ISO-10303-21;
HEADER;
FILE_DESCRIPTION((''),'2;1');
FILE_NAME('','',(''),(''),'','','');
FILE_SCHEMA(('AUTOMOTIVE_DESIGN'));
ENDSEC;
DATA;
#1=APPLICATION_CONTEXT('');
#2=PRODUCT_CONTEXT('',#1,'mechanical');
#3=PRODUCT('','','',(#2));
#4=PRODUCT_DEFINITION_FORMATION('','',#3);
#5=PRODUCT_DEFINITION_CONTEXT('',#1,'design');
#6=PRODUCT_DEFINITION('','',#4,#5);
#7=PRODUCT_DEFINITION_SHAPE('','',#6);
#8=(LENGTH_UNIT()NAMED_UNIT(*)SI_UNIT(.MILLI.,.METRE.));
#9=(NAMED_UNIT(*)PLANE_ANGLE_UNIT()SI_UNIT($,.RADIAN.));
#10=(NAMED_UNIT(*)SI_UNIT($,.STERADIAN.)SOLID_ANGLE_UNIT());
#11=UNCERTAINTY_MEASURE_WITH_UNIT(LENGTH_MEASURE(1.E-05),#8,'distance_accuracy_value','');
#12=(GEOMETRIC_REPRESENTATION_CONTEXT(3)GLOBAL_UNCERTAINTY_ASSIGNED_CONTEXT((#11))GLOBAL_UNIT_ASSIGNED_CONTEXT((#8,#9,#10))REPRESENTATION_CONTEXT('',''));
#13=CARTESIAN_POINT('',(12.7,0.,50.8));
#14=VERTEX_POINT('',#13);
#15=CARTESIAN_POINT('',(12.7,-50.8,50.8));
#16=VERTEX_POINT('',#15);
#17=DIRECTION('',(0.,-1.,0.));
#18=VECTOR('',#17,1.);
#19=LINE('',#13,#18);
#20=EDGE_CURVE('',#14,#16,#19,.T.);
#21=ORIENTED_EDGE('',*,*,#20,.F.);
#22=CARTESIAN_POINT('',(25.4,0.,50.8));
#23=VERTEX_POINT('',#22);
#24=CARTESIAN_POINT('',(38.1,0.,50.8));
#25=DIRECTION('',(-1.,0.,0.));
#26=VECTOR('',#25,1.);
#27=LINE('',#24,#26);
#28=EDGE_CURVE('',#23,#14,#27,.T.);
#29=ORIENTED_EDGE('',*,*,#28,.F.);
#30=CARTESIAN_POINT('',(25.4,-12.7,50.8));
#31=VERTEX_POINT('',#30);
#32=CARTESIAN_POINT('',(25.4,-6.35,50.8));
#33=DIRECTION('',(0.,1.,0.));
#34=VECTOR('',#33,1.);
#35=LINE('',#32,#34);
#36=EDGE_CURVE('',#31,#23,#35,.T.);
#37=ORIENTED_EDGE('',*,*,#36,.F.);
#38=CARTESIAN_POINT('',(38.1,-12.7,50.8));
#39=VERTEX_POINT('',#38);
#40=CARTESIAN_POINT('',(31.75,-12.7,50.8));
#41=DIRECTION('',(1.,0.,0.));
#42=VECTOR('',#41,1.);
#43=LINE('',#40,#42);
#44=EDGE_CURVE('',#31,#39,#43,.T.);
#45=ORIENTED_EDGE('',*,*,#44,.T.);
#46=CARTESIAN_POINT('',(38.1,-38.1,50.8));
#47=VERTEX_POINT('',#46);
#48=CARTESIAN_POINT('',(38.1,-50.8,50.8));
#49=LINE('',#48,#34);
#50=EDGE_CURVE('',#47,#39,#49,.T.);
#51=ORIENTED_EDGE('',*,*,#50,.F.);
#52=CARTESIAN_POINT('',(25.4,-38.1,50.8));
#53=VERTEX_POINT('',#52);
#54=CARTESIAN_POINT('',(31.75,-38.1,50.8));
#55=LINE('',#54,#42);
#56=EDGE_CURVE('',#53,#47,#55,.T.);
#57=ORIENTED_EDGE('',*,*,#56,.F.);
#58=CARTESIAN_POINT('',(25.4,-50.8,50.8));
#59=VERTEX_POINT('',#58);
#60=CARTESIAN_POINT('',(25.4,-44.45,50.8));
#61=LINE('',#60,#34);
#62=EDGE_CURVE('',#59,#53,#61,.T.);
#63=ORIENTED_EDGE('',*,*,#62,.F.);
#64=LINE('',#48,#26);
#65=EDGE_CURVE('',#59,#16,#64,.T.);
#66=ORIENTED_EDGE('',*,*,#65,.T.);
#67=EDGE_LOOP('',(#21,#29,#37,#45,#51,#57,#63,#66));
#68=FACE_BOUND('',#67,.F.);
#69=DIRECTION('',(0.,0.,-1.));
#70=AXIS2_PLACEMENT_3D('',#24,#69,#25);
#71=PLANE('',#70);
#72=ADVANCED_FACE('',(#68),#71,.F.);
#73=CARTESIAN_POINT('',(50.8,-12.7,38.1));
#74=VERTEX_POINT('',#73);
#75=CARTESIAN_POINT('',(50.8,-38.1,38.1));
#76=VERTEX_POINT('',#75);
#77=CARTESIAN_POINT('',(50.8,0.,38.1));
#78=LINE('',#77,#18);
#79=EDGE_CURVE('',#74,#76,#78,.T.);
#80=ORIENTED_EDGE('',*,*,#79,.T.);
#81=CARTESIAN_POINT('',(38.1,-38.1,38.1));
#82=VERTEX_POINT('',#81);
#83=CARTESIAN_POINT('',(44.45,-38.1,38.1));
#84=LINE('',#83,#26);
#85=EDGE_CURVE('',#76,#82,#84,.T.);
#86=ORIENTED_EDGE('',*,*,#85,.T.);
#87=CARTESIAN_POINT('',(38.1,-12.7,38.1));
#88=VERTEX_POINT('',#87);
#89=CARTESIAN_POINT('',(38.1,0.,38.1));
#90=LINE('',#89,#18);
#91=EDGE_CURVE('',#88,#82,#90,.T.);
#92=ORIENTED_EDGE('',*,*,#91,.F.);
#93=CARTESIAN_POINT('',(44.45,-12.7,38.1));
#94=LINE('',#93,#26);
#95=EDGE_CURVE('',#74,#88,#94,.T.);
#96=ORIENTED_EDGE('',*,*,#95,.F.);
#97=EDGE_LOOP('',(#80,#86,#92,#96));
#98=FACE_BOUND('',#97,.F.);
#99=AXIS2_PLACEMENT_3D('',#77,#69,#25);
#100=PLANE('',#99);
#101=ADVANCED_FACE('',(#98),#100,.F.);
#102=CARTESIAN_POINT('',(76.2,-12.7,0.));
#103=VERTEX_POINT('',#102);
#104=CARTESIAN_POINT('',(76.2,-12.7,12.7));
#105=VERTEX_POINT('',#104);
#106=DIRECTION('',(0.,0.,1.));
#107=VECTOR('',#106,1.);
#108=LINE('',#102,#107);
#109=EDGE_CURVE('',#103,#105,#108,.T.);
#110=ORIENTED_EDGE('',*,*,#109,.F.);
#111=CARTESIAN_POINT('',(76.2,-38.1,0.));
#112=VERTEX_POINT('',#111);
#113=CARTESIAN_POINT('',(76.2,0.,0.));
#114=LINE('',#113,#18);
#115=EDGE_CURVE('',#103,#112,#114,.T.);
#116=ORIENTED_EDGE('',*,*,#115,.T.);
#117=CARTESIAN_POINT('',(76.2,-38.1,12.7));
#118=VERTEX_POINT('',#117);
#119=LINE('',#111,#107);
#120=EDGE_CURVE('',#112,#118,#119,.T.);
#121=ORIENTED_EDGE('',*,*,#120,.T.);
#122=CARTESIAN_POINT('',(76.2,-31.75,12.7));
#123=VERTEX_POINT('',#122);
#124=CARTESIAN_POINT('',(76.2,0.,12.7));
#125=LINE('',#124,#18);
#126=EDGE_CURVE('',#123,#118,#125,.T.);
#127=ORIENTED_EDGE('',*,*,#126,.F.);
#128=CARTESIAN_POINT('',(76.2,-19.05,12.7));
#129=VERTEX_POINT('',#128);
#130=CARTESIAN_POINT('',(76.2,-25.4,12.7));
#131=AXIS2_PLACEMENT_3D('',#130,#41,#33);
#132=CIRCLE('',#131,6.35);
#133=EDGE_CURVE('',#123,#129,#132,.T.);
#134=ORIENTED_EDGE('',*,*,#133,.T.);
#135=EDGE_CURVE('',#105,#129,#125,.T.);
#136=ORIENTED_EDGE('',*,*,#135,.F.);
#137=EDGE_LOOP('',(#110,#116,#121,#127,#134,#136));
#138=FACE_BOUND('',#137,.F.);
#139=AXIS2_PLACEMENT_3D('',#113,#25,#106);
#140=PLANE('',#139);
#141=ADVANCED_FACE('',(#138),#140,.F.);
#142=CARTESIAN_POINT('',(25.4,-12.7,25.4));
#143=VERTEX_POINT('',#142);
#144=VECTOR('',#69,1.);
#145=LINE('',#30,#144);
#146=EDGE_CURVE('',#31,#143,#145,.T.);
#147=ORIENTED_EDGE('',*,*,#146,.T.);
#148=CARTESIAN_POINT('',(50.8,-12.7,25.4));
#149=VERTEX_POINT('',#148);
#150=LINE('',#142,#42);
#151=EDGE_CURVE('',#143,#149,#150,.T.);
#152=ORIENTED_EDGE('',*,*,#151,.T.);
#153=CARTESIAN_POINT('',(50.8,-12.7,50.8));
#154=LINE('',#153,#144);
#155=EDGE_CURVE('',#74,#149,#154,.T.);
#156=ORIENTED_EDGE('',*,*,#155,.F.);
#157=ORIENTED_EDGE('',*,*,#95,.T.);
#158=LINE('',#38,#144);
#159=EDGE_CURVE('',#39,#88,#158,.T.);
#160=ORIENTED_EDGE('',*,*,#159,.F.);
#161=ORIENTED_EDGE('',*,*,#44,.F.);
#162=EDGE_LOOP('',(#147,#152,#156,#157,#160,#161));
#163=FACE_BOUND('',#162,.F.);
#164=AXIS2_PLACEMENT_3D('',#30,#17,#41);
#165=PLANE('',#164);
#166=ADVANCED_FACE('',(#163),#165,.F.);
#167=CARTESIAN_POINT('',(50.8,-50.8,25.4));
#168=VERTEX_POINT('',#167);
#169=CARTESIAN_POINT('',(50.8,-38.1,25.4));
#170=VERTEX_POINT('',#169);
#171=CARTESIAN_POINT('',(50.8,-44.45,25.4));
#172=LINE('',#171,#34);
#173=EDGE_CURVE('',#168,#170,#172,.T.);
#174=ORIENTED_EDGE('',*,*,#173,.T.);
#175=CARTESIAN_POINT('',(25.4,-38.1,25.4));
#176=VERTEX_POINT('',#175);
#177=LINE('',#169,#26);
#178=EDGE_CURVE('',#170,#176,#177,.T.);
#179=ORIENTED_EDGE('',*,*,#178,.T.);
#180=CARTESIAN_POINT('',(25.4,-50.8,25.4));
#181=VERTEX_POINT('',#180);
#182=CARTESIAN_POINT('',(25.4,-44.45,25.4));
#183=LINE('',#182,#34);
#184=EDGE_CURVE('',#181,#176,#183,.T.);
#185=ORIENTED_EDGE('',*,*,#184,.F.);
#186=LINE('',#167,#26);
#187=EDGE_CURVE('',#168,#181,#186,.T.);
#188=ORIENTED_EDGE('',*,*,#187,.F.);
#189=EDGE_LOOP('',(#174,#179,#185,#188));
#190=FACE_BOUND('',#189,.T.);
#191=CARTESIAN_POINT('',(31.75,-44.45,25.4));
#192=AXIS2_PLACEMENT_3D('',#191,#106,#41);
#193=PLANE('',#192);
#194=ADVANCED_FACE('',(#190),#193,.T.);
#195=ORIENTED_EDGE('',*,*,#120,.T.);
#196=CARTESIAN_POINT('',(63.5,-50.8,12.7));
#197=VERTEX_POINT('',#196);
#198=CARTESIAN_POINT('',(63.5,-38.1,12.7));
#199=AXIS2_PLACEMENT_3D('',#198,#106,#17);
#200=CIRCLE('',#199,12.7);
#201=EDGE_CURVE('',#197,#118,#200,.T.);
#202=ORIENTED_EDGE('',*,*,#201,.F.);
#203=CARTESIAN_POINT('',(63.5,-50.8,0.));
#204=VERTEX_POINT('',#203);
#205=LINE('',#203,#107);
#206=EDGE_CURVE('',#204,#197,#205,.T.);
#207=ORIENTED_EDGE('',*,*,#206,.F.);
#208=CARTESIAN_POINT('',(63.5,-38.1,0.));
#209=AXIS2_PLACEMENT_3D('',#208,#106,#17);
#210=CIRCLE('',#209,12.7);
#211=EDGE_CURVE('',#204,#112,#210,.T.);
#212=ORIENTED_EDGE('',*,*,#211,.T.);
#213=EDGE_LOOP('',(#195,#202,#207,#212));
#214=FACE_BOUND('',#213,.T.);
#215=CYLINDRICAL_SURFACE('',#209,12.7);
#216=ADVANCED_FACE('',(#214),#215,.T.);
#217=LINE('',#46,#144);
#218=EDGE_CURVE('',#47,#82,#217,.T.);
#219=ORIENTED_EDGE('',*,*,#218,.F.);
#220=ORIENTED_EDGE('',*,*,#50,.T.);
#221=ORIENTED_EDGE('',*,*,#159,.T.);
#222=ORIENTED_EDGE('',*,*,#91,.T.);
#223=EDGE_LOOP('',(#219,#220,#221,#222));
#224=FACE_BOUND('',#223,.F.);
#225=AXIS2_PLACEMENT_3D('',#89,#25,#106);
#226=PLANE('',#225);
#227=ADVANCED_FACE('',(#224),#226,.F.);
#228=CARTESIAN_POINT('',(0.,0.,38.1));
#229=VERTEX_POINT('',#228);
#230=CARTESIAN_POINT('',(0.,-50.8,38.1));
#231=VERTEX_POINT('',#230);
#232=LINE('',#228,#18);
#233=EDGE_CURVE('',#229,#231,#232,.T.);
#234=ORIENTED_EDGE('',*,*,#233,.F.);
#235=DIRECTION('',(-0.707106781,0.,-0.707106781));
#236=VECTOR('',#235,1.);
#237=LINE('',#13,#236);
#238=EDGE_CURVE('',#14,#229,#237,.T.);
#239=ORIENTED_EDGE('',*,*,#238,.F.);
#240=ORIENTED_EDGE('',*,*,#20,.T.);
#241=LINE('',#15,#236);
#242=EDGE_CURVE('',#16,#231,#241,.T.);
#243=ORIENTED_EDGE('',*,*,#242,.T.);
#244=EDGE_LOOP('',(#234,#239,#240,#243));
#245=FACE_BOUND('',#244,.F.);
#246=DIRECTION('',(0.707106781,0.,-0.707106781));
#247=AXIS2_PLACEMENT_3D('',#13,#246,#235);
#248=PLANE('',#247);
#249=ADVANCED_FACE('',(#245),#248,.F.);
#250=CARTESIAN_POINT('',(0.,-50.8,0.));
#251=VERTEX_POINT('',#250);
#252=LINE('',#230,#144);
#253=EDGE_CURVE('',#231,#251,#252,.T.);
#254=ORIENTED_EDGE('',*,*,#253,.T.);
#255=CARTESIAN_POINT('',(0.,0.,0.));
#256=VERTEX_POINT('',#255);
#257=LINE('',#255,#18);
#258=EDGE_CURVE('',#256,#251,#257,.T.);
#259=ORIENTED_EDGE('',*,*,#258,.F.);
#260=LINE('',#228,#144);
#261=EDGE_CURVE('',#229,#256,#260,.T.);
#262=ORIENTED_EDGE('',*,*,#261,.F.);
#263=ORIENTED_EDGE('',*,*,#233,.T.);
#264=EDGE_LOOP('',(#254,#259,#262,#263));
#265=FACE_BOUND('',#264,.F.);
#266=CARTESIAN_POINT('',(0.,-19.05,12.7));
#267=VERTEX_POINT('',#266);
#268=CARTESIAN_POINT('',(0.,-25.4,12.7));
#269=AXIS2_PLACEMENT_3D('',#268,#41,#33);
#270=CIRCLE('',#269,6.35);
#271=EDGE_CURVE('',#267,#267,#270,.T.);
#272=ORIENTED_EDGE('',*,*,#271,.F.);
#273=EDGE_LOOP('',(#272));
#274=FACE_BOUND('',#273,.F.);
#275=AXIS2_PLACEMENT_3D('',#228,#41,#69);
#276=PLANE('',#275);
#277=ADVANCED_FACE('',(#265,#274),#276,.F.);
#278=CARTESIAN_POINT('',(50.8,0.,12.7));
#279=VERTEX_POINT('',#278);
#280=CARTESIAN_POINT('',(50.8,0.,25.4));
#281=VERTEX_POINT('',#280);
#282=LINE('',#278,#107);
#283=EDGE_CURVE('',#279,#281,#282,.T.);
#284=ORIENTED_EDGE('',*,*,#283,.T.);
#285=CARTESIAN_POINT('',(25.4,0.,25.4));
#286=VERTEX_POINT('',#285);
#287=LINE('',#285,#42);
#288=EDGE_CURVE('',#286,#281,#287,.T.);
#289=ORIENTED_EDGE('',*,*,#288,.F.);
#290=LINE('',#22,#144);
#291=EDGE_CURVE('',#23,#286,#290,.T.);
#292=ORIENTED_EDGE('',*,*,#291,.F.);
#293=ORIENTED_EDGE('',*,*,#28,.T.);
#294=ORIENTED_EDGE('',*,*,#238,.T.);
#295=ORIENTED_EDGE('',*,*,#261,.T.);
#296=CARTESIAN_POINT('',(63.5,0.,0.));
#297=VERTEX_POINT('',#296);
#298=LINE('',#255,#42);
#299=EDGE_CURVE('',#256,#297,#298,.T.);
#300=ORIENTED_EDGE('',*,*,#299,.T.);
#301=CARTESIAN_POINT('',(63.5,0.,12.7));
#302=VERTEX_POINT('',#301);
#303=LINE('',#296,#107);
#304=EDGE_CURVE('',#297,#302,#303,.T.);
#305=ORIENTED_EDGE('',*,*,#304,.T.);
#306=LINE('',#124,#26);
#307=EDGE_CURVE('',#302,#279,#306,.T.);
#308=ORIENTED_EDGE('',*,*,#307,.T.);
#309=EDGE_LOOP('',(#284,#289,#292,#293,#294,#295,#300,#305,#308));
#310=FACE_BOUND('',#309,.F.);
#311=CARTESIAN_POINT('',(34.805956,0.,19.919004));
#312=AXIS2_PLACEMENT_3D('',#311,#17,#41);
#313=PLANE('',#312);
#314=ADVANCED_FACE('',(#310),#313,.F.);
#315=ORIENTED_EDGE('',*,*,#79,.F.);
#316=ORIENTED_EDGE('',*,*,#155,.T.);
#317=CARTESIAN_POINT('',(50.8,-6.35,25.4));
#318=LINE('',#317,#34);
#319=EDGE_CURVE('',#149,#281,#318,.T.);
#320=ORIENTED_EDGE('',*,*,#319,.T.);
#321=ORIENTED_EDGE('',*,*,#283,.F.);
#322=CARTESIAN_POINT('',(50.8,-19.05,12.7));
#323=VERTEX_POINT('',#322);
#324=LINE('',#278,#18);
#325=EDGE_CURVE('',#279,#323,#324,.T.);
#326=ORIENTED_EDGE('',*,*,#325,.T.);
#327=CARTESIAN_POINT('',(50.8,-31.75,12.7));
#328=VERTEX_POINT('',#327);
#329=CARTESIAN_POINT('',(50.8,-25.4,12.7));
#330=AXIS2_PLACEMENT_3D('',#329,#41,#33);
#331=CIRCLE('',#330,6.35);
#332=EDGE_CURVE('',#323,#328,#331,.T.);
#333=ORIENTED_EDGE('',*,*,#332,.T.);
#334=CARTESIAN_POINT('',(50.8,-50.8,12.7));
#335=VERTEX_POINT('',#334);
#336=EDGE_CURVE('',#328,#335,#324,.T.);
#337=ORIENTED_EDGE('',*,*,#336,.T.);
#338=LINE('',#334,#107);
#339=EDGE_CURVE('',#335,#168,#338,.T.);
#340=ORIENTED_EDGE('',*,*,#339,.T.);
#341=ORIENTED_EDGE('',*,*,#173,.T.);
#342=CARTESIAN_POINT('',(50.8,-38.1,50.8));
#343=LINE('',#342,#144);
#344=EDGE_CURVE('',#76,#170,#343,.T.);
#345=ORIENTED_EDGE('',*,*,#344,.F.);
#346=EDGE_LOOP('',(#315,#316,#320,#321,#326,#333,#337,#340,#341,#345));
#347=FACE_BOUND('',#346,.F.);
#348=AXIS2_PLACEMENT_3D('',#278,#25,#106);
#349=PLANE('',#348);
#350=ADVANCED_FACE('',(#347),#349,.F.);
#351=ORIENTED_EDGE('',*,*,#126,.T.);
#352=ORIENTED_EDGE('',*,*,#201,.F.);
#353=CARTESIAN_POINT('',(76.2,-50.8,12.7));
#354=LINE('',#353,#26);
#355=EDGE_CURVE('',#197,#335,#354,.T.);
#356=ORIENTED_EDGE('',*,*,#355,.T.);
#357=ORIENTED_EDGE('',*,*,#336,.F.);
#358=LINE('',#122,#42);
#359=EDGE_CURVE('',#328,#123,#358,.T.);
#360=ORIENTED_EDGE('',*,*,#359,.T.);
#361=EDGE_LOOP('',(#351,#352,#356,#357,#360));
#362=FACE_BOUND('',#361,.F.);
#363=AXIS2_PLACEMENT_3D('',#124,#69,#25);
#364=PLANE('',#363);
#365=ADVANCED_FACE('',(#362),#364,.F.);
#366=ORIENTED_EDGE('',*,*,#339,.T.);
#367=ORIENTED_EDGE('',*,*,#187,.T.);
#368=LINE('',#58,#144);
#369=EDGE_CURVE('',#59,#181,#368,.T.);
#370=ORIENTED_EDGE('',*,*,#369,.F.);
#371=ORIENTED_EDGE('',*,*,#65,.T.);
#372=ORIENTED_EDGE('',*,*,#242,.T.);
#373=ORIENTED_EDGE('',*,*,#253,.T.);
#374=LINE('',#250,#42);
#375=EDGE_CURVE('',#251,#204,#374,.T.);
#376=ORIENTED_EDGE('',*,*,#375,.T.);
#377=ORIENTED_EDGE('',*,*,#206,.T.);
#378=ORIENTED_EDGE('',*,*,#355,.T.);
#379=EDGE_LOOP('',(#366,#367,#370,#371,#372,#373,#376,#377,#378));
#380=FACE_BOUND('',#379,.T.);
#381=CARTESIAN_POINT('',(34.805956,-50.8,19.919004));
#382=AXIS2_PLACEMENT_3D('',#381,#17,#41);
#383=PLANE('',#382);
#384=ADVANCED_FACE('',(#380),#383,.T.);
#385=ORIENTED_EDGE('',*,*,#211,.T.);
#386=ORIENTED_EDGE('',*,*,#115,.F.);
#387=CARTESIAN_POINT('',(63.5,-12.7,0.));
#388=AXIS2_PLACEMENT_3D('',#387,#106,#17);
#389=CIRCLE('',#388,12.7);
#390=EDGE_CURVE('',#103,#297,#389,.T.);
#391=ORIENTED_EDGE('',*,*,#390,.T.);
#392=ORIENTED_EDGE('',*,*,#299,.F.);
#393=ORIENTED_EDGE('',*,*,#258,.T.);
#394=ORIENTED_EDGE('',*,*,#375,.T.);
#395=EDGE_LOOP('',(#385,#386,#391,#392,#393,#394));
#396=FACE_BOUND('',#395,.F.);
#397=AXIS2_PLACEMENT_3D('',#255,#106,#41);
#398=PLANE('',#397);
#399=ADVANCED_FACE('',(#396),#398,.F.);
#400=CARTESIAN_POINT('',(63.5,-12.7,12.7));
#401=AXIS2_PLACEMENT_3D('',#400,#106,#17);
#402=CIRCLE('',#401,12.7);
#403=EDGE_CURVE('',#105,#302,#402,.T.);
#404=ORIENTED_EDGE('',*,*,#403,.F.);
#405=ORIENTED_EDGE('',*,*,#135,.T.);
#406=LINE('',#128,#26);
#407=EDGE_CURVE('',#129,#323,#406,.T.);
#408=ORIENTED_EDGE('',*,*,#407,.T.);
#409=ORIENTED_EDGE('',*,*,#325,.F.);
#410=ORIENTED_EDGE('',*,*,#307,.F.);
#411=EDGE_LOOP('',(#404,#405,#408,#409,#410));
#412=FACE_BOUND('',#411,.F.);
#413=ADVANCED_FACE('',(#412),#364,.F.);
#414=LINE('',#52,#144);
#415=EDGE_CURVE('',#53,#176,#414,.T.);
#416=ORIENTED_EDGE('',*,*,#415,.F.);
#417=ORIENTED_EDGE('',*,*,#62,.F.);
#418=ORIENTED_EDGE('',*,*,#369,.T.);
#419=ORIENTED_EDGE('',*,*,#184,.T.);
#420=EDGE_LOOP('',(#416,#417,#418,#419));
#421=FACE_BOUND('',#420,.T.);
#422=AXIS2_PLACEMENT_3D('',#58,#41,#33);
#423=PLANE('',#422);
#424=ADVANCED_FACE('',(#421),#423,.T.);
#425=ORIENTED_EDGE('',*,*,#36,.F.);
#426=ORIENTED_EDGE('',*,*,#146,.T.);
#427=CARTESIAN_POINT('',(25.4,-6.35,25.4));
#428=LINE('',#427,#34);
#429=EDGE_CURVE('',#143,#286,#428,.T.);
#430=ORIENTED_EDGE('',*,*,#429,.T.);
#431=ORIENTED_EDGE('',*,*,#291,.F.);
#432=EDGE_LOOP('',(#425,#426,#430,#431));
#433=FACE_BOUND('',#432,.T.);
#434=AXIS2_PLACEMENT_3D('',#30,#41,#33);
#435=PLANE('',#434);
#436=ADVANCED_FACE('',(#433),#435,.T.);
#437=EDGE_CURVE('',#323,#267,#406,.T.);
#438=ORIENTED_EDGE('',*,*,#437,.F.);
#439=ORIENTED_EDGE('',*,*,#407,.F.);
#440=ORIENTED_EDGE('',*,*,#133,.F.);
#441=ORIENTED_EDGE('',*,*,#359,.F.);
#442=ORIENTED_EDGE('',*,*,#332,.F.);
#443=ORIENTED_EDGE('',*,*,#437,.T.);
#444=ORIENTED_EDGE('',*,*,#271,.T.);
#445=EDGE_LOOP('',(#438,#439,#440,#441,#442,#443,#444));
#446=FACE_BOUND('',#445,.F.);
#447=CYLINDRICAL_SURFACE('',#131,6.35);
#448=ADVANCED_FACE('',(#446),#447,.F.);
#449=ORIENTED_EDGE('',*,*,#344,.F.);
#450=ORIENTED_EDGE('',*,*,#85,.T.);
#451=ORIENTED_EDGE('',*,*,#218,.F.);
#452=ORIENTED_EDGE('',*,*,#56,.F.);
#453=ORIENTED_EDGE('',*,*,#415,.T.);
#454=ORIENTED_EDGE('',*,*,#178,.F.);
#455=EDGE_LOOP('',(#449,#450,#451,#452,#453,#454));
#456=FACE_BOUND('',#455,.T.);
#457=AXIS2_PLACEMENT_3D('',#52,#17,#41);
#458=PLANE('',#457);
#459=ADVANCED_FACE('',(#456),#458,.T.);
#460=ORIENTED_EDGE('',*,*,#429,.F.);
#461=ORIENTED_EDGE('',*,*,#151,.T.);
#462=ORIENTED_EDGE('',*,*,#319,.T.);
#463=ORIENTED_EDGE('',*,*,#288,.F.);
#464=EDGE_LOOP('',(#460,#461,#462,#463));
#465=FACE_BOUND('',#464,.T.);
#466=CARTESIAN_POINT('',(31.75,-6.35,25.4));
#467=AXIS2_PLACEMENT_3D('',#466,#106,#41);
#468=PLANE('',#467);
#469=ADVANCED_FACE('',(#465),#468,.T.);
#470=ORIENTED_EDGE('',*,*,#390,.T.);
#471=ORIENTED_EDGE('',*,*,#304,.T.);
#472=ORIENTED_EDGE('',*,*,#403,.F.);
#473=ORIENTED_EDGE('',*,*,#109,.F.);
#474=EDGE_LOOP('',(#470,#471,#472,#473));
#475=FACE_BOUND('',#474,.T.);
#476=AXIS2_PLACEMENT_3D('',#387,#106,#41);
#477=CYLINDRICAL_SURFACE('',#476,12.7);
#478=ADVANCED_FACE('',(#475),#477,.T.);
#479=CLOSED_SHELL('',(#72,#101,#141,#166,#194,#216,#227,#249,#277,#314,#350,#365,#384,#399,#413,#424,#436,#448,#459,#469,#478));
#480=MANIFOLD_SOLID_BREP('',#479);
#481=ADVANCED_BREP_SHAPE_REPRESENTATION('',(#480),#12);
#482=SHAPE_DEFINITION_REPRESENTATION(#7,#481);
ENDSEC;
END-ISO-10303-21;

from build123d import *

# Parameters (mm, degrees)
F1_DEPTH = 50.8
F2_W     = 12.7
F2_H     = 12.7
F3_DEPTH = 25.4
F4_W     = 12.7
F4_H     = 12.7
F5_DEPTH = 25.4
F6_R     = 12.7
F7_R     = 6.35
F8_DEPTH = 76.201


with BuildPart() as f1:
    # F0 (on Front) → F1 (new body)
    with BuildSketch(Plane.XZ):
        Polygon((0, 38.1), (0, 0), (76.2, 0), (76.2, 12.7), (50.8, 12.7), (50.8, 38.1), (38.1, 38.1), (38.1, 50.8), (12.7, 50.8), align=None)
    extrude(amount=F1_DEPTH)

    # F2 (on face) → F3 (cut)
    with BuildSketch(Plane.XY.offset(50.8)):
        with Locations((44.45, -6.35)):
            Rectangle(F2_W, F2_H)
        with Locations((44.45, -44.45)):
            Rectangle(F2_W, F2_H)
    extrude(amount=-F3_DEPTH, mode=Mode.SUBTRACT)

    # F4 (on face) → F5 (cut)
    with BuildSketch(Plane.XY.offset(50.8)):
        with Locations((31.75, -6.35)):
            Rectangle(F4_W, F4_H)
        with Locations((31.75, -44.45)):
            Rectangle(F4_W, F4_H)
    extrude(amount=-F5_DEPTH, mode=Mode.SUBTRACT)

    # F6
    f6_edges = [f1.edges().sort_by_distance(p)[0] for p in [
        (76.2, -50.8, 6.35),
        (76.2, 0, 6.35),
    ]]
    fillet(f6_edges, radius=F6_R)

    # F7 (on face) → F8 (cut, through all)
    with BuildSketch(Plane.YZ.offset(76.2)):
        with Locations((-25.4, 12.7)):
            Circle(F7_R)
    extrude(amount=-F8_DEPTH, mode=Mode.SUBTRACT)


solid = f1.part
